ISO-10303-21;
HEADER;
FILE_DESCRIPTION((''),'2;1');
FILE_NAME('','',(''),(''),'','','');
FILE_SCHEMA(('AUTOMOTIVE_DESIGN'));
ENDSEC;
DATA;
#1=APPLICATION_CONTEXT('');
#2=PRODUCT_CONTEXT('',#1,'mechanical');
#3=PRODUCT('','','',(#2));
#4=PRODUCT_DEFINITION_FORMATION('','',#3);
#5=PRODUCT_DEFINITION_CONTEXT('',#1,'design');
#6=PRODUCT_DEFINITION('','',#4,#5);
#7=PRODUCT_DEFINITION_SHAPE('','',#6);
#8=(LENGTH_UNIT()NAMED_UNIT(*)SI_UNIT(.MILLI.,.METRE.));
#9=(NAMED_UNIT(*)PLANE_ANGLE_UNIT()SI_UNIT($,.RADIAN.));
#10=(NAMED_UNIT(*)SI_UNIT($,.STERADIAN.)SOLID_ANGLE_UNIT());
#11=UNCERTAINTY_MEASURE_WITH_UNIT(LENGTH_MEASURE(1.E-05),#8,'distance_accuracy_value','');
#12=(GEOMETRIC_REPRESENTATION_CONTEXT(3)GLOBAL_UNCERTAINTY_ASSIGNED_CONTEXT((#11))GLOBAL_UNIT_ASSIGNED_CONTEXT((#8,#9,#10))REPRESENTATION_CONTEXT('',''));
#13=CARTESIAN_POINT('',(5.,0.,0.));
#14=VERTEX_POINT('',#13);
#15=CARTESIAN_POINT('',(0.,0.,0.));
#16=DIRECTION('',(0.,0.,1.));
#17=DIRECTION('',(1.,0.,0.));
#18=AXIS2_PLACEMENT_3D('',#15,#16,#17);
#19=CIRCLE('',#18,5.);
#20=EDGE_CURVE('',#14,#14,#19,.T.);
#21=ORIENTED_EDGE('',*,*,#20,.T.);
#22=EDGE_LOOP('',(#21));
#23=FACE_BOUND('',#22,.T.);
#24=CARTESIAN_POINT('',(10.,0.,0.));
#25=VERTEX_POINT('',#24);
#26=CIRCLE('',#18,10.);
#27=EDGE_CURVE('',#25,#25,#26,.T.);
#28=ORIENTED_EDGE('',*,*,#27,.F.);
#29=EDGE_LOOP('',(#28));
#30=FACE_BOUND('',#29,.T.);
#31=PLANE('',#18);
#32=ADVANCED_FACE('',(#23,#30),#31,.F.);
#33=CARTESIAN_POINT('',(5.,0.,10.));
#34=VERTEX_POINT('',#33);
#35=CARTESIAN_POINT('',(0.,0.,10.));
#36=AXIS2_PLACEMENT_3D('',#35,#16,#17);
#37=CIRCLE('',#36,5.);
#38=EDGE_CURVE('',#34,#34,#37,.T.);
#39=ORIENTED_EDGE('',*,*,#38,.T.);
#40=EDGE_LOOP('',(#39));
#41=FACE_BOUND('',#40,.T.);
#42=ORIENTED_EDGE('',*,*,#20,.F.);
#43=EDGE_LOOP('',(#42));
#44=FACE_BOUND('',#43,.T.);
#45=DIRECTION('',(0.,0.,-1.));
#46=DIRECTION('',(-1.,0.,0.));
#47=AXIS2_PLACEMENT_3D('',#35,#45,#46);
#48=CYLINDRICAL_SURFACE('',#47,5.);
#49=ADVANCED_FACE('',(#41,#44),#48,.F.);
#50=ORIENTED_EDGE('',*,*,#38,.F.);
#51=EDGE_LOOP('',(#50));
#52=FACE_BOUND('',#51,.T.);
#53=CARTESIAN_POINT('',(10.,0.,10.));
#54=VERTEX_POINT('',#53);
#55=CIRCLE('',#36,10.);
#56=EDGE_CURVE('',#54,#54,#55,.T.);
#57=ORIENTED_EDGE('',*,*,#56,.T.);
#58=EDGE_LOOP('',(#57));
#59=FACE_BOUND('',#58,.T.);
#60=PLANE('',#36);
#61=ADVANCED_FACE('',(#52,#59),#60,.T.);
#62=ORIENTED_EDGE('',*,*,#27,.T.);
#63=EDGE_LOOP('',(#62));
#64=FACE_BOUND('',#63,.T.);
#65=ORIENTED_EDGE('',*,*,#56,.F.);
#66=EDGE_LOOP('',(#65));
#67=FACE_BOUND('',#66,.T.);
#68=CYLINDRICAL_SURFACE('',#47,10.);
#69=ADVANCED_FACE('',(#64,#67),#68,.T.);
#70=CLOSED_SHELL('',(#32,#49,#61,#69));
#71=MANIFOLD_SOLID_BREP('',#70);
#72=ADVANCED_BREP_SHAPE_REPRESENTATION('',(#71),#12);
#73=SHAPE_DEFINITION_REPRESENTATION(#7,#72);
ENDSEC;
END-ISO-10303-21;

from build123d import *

# Parameters (mm, degrees)
SKETCH_1_R      = 10
SKETCH_1_R_2    = 5
EXTRUDE_1_DEPTH = 10


with BuildPart() as part:
    # 草图1 → 凸台-拉伸1 (new body)
    with BuildSketch(Plane.XY):
        Circle(SKETCH_1_R)
        Circle(SKETCH_1_R_2, mode=Mode.SUBTRACT)
    extrude(amount=EXTRUDE_1_DEPTH)


solid = part.part
